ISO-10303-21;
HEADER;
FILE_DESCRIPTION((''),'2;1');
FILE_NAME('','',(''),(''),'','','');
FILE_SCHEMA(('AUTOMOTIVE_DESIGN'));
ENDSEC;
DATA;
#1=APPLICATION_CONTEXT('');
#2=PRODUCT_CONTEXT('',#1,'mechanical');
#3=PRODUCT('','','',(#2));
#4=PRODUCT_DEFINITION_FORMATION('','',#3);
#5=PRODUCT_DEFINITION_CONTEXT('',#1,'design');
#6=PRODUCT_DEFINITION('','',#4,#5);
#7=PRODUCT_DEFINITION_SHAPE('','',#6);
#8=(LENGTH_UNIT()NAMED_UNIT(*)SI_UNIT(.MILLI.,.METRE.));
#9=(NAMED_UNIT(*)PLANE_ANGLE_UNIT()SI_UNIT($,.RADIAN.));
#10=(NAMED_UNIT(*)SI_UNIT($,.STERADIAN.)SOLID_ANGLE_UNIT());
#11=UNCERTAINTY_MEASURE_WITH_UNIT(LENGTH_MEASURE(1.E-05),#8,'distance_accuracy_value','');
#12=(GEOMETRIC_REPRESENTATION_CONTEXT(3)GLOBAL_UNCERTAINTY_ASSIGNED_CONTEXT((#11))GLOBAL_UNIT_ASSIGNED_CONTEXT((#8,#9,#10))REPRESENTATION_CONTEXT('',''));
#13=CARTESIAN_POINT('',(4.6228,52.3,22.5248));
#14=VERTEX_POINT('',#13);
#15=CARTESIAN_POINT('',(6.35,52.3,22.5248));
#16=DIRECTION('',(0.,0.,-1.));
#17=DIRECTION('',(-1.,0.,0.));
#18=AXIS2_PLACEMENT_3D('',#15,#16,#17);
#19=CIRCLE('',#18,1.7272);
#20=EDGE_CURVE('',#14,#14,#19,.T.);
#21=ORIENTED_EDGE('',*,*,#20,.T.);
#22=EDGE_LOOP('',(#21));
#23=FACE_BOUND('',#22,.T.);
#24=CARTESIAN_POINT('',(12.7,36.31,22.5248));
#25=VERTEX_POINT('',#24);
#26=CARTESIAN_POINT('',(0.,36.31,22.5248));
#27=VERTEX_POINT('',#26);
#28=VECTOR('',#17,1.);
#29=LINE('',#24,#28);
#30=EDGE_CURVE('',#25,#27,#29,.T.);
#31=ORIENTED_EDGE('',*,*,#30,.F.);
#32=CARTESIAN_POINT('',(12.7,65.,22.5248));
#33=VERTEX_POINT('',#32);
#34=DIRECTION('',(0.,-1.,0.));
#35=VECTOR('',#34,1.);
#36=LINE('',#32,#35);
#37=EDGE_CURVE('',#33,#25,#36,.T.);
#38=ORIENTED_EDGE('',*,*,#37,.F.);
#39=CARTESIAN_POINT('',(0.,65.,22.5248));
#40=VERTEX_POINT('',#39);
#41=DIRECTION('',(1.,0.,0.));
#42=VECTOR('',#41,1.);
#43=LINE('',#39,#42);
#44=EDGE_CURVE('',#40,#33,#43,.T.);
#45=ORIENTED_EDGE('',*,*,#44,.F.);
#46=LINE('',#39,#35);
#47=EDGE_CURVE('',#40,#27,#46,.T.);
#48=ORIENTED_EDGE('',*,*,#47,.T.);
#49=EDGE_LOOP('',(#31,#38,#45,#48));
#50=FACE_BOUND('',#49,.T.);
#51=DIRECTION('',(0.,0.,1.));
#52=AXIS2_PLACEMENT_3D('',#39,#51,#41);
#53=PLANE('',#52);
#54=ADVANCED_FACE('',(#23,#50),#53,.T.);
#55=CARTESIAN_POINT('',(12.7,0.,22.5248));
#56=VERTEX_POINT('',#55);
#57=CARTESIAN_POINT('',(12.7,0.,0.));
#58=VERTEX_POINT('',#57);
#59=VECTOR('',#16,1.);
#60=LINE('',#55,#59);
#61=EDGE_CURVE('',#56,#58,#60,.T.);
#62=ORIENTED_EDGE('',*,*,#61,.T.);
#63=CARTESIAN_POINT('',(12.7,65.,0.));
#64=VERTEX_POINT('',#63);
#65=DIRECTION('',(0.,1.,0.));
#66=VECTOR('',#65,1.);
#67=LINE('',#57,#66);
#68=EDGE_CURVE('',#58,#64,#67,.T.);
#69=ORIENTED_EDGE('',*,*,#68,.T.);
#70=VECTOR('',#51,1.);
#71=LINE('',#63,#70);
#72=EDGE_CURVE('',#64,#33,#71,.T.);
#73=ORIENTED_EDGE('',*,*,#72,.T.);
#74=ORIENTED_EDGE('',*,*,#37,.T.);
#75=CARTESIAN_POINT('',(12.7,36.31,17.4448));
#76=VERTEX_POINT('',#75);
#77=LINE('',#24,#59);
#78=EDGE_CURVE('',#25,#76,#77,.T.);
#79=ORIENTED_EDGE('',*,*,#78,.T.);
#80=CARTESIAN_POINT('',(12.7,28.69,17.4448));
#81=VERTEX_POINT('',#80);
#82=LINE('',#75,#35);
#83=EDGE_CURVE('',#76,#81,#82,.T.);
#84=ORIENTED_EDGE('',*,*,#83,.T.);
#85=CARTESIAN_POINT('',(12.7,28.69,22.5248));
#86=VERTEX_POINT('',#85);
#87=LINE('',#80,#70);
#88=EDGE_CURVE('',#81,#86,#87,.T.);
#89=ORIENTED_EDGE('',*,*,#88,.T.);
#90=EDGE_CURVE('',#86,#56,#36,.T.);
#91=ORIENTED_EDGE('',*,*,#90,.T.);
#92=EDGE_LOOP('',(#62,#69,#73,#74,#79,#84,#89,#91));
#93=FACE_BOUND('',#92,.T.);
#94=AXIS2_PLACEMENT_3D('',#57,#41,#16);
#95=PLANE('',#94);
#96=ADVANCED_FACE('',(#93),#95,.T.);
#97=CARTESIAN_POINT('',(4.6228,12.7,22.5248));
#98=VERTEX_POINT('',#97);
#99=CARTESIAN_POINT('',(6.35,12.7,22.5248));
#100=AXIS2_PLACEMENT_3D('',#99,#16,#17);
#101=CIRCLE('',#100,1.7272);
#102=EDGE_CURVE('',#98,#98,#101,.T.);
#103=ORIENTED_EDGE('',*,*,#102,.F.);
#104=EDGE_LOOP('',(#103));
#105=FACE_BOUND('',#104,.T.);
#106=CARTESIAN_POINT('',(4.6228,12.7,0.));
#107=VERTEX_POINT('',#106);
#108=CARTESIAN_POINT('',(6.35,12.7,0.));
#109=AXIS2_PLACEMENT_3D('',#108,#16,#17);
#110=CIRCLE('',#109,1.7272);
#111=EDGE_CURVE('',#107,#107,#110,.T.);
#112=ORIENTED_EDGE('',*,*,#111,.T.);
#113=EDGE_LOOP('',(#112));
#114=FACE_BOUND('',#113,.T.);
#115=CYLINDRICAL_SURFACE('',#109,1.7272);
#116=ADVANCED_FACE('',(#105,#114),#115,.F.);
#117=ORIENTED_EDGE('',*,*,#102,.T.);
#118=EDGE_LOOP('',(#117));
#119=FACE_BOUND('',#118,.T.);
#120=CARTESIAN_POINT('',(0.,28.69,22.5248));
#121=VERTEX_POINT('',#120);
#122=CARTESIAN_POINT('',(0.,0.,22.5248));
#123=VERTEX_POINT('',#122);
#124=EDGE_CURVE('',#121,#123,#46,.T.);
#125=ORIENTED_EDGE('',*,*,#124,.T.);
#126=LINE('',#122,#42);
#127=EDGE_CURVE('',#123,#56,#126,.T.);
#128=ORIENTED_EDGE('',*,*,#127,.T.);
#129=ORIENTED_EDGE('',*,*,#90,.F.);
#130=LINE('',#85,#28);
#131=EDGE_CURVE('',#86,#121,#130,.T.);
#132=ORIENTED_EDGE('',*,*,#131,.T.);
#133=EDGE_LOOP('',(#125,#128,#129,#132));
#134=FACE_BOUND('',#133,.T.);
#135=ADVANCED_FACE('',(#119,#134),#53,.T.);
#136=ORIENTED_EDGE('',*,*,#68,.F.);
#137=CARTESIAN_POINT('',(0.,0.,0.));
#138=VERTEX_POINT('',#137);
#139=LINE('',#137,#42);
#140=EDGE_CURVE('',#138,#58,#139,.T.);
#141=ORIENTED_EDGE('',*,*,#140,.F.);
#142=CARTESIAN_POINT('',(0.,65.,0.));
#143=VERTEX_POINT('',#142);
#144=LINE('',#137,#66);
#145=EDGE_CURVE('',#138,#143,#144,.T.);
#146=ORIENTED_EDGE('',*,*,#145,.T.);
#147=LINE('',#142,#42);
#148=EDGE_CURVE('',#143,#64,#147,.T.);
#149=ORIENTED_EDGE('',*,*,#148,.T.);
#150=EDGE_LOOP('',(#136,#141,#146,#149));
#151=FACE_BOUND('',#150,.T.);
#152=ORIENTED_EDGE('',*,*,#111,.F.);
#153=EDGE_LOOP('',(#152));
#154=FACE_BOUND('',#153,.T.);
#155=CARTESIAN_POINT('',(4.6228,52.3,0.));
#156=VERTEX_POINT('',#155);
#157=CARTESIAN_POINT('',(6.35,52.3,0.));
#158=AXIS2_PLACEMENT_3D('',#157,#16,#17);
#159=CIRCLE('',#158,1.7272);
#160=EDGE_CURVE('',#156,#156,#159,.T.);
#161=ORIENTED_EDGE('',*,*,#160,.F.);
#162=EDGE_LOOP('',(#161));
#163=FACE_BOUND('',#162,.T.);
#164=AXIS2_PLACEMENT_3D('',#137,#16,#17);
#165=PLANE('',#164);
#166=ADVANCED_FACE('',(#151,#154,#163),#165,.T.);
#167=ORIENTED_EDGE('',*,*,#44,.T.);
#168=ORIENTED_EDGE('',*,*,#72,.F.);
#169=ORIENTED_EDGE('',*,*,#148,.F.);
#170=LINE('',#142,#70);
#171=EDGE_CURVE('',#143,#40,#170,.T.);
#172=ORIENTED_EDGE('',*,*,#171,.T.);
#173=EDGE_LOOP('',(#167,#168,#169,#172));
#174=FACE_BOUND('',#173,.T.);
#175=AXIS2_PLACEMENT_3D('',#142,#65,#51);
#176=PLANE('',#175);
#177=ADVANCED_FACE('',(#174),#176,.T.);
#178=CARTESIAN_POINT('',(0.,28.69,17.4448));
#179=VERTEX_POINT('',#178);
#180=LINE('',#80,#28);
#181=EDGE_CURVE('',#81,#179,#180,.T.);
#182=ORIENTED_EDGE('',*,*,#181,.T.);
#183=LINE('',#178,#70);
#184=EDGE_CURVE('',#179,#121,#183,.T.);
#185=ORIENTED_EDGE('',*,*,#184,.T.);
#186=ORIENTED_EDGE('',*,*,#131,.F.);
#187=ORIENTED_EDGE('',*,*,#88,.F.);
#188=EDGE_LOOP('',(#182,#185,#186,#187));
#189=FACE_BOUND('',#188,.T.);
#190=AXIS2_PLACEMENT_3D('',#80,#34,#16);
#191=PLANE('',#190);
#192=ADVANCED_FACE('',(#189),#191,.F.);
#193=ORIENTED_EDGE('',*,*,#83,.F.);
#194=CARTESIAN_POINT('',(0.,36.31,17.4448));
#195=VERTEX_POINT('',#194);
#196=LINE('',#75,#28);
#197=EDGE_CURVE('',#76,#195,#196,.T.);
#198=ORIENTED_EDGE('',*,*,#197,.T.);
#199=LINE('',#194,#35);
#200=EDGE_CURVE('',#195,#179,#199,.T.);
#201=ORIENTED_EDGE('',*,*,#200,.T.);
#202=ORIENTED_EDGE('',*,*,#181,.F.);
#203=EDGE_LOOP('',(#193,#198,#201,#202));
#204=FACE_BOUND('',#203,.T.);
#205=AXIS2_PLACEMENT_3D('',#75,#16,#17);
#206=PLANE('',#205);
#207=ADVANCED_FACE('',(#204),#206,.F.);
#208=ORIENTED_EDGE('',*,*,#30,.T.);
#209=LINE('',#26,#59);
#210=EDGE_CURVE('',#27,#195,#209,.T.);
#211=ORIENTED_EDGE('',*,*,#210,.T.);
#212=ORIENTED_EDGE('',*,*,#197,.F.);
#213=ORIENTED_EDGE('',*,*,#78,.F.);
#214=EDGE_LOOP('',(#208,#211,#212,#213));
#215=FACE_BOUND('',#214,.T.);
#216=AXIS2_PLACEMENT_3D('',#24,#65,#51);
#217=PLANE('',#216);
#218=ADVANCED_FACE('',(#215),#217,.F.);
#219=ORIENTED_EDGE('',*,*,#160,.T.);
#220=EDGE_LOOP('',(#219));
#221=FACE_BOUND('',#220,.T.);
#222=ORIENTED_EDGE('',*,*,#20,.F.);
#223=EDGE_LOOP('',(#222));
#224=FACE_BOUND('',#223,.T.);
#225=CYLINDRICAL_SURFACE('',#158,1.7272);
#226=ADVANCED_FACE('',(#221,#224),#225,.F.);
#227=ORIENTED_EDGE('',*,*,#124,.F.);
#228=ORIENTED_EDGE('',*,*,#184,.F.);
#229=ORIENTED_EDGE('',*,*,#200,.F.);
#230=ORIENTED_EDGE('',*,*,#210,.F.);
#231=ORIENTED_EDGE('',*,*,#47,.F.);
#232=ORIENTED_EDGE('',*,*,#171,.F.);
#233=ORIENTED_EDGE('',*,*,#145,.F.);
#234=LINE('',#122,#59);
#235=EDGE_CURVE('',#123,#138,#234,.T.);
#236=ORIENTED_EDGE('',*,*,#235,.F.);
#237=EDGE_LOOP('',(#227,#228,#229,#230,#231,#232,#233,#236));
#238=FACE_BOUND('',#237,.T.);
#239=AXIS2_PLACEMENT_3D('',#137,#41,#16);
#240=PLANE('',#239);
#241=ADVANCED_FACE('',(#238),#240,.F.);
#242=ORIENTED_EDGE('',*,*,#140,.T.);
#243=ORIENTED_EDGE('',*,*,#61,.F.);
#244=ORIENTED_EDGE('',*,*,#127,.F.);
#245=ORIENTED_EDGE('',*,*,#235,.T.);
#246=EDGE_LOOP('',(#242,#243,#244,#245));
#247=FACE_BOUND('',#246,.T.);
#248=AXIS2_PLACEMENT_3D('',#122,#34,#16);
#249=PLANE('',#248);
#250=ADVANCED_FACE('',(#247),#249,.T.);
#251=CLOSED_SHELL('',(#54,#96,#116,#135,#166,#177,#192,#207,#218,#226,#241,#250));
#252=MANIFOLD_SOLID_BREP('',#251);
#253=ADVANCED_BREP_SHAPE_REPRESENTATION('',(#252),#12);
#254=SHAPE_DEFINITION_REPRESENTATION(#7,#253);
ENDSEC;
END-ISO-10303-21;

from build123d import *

# Parameters (mm, degrees)
ESBO_O1_W                   = 22.5248
ESBO_O1_H                   = 65
RESSALTO_EXTRUS_O1_DEPTH    = 12.7
ESBO_O2_W                   = 5.08
ESBO_O2_H                   = 7.62
CORTE_EXTRUS_O1_DEPTH       = 13.7
FURO_COM_FOLGA_DE_M31_D     = 3.4544
FURO_COM_FOLGA_DE_M31_DEPTH = 22.5248


with BuildPart() as part:
    # Esboço1 → Ressalto-extrusão1 (new body)
    with BuildSketch(Plane(origin=(12.7, 0, 0), x_dir=(0, 0, -1), z_dir=(1, 0, 0))):
        with Locations((-11.2624, 32.5)):
            Rectangle(ESBO_O1_W, ESBO_O1_H)
    extrude(amount=-RESSALTO_EXTRUS_O1_DEPTH)

    # Esboço2 → Corte-extrusão1 (cut, through all)
    with BuildSketch(Plane.ZY):
        with Locations((19.9848, 32.5)):
            Rectangle(ESBO_O2_W, ESBO_O2_H)
    extrude(amount=-CORTE_EXTRUS_O1_DEPTH, mode=Mode.SUBTRACT)

    # Furo com folga de M31
    with Locations(Plane(origin=(0, 0, 0), x_dir=(-1, 0, 0), z_dir=(0, 0, -1))):
        with Locations((-6.35, 12.7), (-6.35, 52.3)):
            Hole(FURO_COM_FOLGA_DE_M31_D / 2, depth=FURO_COM_FOLGA_DE_M31_DEPTH)


solid = part.part
